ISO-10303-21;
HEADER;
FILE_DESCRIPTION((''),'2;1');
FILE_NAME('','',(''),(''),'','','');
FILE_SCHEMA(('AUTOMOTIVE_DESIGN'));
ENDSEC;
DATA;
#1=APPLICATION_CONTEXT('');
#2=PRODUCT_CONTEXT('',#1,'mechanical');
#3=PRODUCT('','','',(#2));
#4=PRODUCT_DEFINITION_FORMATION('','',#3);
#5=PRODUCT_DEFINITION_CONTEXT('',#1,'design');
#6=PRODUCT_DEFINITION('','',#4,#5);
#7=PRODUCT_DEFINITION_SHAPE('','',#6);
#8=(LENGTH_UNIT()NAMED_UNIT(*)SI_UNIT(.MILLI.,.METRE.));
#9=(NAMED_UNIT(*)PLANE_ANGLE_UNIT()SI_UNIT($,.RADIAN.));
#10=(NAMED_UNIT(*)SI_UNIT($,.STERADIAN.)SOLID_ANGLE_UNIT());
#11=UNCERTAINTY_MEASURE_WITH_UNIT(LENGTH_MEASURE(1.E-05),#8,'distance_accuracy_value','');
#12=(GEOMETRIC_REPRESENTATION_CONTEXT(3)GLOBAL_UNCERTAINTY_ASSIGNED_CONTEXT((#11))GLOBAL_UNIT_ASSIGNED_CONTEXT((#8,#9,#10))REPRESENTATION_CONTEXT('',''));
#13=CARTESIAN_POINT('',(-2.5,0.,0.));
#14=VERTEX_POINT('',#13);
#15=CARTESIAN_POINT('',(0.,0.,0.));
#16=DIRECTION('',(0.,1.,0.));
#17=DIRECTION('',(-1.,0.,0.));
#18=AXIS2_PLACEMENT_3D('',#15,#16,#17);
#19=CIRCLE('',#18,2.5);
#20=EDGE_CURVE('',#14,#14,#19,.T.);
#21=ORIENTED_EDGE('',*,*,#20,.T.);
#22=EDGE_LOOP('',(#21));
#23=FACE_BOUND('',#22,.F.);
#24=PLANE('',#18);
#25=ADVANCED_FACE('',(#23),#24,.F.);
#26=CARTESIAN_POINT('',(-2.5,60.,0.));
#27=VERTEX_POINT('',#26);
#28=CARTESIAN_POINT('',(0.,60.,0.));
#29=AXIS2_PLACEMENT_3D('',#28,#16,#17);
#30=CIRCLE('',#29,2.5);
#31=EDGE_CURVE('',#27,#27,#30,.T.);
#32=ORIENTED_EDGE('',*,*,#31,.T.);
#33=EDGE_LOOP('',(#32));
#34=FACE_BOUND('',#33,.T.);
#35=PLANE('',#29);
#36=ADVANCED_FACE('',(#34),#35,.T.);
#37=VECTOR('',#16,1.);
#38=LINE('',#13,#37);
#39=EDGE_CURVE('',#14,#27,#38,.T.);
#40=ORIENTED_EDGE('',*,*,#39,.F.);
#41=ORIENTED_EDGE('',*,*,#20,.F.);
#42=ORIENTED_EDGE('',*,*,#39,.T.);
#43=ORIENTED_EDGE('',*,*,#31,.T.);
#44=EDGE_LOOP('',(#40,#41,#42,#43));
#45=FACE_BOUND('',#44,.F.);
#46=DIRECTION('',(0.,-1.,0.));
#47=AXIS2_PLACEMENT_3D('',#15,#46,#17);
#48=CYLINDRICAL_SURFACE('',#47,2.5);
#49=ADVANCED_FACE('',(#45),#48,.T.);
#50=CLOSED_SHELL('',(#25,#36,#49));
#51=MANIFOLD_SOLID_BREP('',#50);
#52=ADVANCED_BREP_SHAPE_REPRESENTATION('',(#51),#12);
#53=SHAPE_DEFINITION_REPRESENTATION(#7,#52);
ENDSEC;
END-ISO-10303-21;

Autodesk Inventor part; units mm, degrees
ref_plane "YZ Plane" through (0, 0, 0) normal (1, 0, 0) x (0, 1, 0)
ref_plane "XZ Plane" through (0, 0, 0) normal (0, 1, 0) x (-1, 0, 0)
ref_plane "XY Plane" through (0, 0, 0) normal (0, 0, 1) x (1, 0, 0)
sketch "Sketch1" plane through (0, 0, 0) normal (0, 1, 0) x (-1, 0, 0)
  circle A0 centre (0, 0) radius 2.5
  dimension "d0" = 5
extrude "Extrusion1" add sketch "Sketch1" along normal blind 60
properties part number "Steel Rod"
